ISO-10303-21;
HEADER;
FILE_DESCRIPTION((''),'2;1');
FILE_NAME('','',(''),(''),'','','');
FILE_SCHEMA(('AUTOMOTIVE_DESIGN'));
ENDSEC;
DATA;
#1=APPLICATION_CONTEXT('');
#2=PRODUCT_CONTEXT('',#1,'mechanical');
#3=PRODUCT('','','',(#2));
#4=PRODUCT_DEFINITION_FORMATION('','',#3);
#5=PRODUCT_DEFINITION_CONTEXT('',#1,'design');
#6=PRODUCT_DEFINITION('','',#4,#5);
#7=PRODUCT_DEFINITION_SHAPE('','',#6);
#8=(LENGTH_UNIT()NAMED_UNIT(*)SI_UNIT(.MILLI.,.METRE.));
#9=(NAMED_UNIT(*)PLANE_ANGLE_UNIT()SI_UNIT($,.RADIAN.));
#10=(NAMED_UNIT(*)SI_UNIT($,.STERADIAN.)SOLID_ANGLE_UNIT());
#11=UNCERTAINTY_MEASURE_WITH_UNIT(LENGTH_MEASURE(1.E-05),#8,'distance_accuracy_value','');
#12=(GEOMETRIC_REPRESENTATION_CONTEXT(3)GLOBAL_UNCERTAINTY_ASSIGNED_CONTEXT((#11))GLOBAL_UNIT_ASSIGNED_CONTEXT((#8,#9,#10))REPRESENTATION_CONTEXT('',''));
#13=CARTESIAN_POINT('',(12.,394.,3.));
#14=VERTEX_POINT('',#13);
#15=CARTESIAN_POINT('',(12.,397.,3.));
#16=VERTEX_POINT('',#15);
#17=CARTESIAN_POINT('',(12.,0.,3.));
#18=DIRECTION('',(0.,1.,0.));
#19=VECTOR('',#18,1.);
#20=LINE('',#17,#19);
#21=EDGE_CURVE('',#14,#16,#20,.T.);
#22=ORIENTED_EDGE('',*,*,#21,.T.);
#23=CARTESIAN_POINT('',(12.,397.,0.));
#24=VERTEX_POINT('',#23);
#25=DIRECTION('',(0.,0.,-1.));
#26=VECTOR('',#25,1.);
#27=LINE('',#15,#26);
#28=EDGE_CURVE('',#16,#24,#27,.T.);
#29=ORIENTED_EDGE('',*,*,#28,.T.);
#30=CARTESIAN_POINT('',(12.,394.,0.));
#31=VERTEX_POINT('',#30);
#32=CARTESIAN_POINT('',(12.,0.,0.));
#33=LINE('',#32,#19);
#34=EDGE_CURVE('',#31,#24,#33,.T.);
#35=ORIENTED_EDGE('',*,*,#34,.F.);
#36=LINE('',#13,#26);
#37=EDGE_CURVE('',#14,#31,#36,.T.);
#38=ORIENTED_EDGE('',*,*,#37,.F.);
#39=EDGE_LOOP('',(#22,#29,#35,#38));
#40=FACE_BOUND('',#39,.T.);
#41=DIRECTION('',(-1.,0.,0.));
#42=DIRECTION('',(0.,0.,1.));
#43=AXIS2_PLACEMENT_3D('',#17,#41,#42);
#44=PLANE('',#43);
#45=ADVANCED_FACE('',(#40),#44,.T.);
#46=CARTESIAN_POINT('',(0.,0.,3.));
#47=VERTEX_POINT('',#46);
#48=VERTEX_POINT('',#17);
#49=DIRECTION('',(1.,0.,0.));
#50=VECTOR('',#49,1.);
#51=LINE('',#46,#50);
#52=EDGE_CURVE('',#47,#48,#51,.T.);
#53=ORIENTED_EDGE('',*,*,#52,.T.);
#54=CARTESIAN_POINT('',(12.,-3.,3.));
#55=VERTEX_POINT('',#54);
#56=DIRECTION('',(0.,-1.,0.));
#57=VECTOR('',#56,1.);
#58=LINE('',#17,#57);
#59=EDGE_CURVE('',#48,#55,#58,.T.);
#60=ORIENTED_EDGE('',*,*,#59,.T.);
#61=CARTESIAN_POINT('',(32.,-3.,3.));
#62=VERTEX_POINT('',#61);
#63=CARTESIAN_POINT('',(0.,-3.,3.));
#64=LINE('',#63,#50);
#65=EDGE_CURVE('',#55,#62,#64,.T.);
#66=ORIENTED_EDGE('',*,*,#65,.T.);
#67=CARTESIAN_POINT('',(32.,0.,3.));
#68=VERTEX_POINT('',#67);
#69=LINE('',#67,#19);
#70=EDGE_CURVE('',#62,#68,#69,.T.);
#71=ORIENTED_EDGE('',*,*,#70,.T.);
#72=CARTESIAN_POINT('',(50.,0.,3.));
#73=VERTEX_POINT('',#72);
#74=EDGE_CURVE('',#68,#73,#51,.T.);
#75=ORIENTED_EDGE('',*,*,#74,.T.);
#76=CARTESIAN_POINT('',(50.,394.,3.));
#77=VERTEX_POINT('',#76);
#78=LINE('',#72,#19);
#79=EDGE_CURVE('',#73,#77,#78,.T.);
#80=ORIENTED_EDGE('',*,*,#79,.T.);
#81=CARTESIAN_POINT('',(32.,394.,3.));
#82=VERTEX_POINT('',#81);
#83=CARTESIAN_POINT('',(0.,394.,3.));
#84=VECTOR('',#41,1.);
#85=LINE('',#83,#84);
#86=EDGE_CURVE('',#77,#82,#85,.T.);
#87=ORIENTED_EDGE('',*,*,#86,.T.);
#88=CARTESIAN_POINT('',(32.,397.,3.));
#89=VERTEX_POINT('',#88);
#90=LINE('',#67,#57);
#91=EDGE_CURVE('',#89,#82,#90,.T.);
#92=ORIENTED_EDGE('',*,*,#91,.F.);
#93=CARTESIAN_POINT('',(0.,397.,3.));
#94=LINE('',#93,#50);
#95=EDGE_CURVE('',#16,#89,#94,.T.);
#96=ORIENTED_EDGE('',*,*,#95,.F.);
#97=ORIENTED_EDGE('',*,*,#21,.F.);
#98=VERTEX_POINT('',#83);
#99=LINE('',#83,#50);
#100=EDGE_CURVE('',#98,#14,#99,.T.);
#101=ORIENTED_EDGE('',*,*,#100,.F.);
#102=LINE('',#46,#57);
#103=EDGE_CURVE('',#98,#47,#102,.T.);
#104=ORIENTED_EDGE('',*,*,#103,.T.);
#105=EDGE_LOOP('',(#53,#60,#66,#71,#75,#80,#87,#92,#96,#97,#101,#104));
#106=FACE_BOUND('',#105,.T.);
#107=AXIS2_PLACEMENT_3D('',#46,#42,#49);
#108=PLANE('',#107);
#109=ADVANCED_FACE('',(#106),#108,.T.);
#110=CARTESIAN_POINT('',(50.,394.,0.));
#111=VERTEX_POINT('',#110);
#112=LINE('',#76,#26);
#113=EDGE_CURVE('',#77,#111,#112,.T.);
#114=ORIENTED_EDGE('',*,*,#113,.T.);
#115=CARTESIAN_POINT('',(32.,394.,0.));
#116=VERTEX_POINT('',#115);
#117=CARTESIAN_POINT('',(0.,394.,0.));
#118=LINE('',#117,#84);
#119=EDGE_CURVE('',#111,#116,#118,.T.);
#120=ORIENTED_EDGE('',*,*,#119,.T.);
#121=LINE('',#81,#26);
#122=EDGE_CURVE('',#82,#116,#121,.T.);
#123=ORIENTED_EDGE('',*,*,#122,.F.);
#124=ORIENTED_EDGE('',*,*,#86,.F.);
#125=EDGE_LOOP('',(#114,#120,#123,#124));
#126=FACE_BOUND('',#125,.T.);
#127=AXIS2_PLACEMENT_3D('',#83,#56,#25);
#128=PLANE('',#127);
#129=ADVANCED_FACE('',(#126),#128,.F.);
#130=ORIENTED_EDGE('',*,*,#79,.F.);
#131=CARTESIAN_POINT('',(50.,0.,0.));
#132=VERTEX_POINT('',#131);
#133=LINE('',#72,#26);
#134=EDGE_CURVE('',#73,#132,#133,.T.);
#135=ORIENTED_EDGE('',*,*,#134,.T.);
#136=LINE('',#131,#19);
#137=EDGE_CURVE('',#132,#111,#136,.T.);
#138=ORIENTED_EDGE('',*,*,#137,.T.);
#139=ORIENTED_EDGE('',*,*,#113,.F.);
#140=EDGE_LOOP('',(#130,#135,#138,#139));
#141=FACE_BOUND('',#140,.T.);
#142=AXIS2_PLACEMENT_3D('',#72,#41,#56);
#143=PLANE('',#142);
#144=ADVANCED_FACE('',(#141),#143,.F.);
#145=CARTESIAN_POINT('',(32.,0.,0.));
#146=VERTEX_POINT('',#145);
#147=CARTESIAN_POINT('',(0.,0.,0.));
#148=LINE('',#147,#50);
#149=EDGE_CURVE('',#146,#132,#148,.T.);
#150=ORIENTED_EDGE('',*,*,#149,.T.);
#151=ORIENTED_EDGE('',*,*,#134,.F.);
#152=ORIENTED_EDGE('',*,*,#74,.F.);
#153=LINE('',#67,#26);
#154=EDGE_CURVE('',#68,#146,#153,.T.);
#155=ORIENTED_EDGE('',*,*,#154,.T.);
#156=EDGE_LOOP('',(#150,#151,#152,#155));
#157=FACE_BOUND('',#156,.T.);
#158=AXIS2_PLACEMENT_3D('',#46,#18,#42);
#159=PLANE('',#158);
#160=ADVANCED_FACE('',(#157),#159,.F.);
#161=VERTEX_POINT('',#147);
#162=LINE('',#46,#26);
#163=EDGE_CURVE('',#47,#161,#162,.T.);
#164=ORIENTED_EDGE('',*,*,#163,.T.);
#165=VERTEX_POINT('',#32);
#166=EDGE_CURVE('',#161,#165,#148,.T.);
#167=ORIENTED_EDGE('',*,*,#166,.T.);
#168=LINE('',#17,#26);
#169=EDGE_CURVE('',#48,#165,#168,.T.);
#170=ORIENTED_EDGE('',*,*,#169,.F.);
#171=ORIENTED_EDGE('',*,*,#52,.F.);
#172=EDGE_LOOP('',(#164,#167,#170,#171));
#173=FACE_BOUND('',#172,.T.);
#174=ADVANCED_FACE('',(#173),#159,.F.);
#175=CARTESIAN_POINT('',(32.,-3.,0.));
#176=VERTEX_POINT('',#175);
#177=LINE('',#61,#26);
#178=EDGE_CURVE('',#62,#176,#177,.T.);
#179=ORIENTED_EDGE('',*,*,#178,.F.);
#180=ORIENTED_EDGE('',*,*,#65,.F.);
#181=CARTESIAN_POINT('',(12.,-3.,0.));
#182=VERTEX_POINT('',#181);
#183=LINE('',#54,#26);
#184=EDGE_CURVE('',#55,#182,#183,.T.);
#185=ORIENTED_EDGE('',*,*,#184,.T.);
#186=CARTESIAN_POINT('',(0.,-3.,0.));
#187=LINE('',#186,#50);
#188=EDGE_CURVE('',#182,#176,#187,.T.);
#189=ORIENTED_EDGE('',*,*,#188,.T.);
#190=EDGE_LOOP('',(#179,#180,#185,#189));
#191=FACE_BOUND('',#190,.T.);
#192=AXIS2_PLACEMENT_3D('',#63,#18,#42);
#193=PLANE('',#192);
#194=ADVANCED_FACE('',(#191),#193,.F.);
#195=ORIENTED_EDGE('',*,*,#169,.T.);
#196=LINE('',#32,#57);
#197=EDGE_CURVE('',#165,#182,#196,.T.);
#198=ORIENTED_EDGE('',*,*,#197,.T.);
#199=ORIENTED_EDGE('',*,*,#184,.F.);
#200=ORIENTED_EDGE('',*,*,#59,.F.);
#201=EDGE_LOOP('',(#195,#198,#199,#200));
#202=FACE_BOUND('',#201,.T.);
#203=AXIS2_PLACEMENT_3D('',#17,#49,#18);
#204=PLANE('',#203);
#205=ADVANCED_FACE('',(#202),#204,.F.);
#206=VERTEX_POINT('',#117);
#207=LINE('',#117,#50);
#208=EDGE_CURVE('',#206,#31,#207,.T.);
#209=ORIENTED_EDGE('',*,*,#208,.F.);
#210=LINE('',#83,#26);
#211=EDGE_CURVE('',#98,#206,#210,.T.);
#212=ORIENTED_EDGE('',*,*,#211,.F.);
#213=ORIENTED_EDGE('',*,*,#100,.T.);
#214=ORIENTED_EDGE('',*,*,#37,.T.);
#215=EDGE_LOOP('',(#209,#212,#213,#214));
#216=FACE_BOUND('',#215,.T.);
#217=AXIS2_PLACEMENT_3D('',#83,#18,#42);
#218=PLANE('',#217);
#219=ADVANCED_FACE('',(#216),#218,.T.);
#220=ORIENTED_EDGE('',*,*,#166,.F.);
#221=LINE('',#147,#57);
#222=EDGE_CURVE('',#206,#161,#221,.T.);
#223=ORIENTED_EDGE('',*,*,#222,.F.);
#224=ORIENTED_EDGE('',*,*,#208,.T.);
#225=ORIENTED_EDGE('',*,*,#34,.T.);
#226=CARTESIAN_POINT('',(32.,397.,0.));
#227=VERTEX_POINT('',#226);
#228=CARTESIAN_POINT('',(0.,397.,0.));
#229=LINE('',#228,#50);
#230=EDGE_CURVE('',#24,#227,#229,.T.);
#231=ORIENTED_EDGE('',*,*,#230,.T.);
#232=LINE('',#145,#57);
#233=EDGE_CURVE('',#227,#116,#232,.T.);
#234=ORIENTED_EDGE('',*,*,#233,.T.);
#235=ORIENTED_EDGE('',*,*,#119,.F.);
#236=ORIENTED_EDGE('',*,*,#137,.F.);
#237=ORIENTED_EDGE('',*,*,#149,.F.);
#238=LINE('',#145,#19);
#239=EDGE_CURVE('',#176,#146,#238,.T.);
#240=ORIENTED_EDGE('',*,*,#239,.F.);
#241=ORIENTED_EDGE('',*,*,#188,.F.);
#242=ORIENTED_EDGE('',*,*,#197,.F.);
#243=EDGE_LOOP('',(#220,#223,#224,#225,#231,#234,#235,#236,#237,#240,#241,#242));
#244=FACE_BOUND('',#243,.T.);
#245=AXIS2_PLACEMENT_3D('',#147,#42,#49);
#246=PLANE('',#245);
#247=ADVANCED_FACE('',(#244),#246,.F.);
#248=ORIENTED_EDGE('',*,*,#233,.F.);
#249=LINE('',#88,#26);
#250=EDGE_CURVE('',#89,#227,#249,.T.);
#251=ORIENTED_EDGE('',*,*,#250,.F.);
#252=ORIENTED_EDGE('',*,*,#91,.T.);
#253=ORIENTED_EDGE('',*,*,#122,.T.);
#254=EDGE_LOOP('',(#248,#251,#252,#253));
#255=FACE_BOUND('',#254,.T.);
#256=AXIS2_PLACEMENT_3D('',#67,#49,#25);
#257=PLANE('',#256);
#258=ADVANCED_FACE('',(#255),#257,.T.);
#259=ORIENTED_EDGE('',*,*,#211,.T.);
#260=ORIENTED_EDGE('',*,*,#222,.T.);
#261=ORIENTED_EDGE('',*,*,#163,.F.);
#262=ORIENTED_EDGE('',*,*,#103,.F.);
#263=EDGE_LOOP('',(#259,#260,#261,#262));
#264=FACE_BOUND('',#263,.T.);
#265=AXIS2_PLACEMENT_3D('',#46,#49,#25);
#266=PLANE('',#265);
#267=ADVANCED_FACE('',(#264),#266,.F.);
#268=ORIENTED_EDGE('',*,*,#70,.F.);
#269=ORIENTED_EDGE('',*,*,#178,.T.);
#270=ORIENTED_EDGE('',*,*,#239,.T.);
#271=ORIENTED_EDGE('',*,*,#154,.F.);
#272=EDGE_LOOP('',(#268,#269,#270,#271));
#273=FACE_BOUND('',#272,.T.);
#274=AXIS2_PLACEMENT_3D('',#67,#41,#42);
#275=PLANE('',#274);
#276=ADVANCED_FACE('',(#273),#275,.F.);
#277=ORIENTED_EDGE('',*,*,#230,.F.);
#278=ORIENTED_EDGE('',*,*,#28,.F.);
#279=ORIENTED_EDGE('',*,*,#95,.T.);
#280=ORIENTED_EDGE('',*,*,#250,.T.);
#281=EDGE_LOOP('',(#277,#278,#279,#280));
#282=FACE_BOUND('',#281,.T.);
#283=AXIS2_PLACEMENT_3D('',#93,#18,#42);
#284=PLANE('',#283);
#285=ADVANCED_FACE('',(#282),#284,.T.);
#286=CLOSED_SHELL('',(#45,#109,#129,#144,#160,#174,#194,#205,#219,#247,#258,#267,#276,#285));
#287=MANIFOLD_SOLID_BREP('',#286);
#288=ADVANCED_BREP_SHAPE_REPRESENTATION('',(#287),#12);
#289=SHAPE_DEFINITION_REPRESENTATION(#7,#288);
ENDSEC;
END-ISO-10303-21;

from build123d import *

# Parameters (mm, degrees)
SALIENTE_EXTRUIR2_DEPTH = 3


with BuildPart() as part:
    # Croquis1 → Saliente-Extruir2 (new body)
    with BuildSketch(Plane.XY):
        Polygon((32, -3), (32, 0), (50, 0), (50, 394), (32, 394), (32, 397), (12, 397), (12, 394), (0, 394), (0, 0), (12, 0), (12, -3), align=None)
    extrude(amount=SALIENTE_EXTRUIR2_DEPTH)


solid = part.part
